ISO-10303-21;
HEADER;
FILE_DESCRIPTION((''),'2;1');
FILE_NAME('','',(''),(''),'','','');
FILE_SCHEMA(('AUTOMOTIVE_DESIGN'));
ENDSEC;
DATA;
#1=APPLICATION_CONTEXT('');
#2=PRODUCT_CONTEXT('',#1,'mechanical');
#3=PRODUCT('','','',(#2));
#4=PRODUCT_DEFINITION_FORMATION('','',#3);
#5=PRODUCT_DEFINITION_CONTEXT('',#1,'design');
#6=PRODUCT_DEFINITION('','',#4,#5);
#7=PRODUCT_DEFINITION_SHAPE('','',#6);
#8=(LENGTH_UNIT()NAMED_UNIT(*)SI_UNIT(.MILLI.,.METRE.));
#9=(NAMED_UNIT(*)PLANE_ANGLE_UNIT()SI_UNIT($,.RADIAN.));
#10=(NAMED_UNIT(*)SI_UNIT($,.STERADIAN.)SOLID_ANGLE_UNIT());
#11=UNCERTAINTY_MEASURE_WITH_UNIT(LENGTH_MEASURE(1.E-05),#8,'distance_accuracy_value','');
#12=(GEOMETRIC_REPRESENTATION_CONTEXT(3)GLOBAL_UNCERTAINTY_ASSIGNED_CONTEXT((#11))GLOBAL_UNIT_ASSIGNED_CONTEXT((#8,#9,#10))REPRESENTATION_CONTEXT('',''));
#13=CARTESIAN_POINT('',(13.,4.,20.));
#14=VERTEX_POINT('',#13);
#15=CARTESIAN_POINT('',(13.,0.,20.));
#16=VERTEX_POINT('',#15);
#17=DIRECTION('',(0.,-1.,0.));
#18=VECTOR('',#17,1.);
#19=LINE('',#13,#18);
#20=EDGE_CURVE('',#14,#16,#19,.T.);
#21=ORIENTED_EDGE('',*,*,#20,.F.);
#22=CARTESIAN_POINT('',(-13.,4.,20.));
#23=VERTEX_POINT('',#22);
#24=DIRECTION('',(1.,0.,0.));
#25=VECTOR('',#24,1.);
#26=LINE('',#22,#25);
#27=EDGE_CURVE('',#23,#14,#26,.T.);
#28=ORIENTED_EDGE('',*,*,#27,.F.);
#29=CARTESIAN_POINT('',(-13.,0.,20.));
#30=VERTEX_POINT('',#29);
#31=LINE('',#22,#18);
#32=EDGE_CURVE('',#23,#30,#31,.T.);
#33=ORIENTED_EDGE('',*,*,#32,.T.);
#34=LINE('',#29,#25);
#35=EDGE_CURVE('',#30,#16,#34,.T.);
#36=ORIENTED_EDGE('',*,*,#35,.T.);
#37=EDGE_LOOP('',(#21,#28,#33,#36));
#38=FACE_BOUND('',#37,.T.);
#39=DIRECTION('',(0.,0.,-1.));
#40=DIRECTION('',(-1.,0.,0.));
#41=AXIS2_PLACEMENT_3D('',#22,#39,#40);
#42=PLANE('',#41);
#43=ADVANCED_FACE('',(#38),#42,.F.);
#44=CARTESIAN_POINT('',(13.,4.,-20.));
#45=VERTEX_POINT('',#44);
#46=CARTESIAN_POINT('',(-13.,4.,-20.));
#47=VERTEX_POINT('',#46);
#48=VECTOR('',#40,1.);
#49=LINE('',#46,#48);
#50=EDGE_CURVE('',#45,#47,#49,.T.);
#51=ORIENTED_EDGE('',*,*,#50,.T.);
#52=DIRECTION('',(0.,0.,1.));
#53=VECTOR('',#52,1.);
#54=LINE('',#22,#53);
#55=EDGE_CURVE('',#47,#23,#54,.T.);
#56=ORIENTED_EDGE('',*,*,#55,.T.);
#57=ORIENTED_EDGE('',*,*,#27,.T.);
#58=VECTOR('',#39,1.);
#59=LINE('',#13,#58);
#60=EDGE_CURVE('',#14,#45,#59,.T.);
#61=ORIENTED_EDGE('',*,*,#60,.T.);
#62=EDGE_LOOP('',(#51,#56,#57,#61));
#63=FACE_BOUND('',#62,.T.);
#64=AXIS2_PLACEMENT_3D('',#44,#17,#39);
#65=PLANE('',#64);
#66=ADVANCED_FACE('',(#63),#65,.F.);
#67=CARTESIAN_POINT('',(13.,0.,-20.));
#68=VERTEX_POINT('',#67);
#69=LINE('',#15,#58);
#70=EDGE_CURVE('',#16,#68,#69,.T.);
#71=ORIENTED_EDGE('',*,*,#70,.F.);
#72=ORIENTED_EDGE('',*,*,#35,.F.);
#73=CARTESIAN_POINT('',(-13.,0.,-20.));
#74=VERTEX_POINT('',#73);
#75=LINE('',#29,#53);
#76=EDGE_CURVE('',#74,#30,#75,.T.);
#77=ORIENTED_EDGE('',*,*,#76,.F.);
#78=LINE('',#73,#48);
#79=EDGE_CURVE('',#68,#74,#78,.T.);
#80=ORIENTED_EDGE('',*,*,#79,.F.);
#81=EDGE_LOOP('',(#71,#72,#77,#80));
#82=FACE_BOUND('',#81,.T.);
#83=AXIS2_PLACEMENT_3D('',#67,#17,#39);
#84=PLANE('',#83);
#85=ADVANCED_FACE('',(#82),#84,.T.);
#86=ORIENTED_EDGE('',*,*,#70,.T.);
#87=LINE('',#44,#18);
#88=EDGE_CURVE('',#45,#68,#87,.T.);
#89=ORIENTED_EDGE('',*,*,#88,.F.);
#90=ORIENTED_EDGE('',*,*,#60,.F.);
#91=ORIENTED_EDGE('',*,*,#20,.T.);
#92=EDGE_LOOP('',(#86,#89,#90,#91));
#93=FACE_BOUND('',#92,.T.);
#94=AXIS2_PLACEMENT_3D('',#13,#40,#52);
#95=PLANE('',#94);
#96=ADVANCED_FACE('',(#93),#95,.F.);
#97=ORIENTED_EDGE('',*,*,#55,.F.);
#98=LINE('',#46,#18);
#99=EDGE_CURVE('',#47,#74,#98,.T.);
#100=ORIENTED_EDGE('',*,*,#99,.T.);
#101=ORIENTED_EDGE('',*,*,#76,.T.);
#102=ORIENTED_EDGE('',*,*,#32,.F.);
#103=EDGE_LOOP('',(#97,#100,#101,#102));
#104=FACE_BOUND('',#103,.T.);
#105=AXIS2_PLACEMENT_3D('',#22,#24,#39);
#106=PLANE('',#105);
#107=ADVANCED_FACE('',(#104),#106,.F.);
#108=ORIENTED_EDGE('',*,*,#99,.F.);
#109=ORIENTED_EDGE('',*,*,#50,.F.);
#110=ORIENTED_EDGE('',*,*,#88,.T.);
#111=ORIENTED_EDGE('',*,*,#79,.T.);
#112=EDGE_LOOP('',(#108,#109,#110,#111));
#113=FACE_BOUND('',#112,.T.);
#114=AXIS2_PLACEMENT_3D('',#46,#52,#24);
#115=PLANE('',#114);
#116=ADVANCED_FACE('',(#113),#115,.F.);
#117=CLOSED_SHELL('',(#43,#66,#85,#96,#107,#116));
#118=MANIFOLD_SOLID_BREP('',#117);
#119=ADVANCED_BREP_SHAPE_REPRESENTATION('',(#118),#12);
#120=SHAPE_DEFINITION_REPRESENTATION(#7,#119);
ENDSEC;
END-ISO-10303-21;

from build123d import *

# Parameters (mm, degrees)
SKETCH1_W           = 26
SKETCH1_H           = 40
BOSS_EXTRUDE1_DEPTH = 4


with BuildPart() as part:
    # Sketch1 → Boss-Extrude1 (new body)
    with BuildSketch(Plane(origin=(0, 0, 0), x_dir=(1, 0, 0), z_dir=(0, 1, 0))):
        Rectangle(SKETCH1_W, SKETCH1_H)
    extrude(amount=BOSS_EXTRUDE1_DEPTH)


solid = part.part
